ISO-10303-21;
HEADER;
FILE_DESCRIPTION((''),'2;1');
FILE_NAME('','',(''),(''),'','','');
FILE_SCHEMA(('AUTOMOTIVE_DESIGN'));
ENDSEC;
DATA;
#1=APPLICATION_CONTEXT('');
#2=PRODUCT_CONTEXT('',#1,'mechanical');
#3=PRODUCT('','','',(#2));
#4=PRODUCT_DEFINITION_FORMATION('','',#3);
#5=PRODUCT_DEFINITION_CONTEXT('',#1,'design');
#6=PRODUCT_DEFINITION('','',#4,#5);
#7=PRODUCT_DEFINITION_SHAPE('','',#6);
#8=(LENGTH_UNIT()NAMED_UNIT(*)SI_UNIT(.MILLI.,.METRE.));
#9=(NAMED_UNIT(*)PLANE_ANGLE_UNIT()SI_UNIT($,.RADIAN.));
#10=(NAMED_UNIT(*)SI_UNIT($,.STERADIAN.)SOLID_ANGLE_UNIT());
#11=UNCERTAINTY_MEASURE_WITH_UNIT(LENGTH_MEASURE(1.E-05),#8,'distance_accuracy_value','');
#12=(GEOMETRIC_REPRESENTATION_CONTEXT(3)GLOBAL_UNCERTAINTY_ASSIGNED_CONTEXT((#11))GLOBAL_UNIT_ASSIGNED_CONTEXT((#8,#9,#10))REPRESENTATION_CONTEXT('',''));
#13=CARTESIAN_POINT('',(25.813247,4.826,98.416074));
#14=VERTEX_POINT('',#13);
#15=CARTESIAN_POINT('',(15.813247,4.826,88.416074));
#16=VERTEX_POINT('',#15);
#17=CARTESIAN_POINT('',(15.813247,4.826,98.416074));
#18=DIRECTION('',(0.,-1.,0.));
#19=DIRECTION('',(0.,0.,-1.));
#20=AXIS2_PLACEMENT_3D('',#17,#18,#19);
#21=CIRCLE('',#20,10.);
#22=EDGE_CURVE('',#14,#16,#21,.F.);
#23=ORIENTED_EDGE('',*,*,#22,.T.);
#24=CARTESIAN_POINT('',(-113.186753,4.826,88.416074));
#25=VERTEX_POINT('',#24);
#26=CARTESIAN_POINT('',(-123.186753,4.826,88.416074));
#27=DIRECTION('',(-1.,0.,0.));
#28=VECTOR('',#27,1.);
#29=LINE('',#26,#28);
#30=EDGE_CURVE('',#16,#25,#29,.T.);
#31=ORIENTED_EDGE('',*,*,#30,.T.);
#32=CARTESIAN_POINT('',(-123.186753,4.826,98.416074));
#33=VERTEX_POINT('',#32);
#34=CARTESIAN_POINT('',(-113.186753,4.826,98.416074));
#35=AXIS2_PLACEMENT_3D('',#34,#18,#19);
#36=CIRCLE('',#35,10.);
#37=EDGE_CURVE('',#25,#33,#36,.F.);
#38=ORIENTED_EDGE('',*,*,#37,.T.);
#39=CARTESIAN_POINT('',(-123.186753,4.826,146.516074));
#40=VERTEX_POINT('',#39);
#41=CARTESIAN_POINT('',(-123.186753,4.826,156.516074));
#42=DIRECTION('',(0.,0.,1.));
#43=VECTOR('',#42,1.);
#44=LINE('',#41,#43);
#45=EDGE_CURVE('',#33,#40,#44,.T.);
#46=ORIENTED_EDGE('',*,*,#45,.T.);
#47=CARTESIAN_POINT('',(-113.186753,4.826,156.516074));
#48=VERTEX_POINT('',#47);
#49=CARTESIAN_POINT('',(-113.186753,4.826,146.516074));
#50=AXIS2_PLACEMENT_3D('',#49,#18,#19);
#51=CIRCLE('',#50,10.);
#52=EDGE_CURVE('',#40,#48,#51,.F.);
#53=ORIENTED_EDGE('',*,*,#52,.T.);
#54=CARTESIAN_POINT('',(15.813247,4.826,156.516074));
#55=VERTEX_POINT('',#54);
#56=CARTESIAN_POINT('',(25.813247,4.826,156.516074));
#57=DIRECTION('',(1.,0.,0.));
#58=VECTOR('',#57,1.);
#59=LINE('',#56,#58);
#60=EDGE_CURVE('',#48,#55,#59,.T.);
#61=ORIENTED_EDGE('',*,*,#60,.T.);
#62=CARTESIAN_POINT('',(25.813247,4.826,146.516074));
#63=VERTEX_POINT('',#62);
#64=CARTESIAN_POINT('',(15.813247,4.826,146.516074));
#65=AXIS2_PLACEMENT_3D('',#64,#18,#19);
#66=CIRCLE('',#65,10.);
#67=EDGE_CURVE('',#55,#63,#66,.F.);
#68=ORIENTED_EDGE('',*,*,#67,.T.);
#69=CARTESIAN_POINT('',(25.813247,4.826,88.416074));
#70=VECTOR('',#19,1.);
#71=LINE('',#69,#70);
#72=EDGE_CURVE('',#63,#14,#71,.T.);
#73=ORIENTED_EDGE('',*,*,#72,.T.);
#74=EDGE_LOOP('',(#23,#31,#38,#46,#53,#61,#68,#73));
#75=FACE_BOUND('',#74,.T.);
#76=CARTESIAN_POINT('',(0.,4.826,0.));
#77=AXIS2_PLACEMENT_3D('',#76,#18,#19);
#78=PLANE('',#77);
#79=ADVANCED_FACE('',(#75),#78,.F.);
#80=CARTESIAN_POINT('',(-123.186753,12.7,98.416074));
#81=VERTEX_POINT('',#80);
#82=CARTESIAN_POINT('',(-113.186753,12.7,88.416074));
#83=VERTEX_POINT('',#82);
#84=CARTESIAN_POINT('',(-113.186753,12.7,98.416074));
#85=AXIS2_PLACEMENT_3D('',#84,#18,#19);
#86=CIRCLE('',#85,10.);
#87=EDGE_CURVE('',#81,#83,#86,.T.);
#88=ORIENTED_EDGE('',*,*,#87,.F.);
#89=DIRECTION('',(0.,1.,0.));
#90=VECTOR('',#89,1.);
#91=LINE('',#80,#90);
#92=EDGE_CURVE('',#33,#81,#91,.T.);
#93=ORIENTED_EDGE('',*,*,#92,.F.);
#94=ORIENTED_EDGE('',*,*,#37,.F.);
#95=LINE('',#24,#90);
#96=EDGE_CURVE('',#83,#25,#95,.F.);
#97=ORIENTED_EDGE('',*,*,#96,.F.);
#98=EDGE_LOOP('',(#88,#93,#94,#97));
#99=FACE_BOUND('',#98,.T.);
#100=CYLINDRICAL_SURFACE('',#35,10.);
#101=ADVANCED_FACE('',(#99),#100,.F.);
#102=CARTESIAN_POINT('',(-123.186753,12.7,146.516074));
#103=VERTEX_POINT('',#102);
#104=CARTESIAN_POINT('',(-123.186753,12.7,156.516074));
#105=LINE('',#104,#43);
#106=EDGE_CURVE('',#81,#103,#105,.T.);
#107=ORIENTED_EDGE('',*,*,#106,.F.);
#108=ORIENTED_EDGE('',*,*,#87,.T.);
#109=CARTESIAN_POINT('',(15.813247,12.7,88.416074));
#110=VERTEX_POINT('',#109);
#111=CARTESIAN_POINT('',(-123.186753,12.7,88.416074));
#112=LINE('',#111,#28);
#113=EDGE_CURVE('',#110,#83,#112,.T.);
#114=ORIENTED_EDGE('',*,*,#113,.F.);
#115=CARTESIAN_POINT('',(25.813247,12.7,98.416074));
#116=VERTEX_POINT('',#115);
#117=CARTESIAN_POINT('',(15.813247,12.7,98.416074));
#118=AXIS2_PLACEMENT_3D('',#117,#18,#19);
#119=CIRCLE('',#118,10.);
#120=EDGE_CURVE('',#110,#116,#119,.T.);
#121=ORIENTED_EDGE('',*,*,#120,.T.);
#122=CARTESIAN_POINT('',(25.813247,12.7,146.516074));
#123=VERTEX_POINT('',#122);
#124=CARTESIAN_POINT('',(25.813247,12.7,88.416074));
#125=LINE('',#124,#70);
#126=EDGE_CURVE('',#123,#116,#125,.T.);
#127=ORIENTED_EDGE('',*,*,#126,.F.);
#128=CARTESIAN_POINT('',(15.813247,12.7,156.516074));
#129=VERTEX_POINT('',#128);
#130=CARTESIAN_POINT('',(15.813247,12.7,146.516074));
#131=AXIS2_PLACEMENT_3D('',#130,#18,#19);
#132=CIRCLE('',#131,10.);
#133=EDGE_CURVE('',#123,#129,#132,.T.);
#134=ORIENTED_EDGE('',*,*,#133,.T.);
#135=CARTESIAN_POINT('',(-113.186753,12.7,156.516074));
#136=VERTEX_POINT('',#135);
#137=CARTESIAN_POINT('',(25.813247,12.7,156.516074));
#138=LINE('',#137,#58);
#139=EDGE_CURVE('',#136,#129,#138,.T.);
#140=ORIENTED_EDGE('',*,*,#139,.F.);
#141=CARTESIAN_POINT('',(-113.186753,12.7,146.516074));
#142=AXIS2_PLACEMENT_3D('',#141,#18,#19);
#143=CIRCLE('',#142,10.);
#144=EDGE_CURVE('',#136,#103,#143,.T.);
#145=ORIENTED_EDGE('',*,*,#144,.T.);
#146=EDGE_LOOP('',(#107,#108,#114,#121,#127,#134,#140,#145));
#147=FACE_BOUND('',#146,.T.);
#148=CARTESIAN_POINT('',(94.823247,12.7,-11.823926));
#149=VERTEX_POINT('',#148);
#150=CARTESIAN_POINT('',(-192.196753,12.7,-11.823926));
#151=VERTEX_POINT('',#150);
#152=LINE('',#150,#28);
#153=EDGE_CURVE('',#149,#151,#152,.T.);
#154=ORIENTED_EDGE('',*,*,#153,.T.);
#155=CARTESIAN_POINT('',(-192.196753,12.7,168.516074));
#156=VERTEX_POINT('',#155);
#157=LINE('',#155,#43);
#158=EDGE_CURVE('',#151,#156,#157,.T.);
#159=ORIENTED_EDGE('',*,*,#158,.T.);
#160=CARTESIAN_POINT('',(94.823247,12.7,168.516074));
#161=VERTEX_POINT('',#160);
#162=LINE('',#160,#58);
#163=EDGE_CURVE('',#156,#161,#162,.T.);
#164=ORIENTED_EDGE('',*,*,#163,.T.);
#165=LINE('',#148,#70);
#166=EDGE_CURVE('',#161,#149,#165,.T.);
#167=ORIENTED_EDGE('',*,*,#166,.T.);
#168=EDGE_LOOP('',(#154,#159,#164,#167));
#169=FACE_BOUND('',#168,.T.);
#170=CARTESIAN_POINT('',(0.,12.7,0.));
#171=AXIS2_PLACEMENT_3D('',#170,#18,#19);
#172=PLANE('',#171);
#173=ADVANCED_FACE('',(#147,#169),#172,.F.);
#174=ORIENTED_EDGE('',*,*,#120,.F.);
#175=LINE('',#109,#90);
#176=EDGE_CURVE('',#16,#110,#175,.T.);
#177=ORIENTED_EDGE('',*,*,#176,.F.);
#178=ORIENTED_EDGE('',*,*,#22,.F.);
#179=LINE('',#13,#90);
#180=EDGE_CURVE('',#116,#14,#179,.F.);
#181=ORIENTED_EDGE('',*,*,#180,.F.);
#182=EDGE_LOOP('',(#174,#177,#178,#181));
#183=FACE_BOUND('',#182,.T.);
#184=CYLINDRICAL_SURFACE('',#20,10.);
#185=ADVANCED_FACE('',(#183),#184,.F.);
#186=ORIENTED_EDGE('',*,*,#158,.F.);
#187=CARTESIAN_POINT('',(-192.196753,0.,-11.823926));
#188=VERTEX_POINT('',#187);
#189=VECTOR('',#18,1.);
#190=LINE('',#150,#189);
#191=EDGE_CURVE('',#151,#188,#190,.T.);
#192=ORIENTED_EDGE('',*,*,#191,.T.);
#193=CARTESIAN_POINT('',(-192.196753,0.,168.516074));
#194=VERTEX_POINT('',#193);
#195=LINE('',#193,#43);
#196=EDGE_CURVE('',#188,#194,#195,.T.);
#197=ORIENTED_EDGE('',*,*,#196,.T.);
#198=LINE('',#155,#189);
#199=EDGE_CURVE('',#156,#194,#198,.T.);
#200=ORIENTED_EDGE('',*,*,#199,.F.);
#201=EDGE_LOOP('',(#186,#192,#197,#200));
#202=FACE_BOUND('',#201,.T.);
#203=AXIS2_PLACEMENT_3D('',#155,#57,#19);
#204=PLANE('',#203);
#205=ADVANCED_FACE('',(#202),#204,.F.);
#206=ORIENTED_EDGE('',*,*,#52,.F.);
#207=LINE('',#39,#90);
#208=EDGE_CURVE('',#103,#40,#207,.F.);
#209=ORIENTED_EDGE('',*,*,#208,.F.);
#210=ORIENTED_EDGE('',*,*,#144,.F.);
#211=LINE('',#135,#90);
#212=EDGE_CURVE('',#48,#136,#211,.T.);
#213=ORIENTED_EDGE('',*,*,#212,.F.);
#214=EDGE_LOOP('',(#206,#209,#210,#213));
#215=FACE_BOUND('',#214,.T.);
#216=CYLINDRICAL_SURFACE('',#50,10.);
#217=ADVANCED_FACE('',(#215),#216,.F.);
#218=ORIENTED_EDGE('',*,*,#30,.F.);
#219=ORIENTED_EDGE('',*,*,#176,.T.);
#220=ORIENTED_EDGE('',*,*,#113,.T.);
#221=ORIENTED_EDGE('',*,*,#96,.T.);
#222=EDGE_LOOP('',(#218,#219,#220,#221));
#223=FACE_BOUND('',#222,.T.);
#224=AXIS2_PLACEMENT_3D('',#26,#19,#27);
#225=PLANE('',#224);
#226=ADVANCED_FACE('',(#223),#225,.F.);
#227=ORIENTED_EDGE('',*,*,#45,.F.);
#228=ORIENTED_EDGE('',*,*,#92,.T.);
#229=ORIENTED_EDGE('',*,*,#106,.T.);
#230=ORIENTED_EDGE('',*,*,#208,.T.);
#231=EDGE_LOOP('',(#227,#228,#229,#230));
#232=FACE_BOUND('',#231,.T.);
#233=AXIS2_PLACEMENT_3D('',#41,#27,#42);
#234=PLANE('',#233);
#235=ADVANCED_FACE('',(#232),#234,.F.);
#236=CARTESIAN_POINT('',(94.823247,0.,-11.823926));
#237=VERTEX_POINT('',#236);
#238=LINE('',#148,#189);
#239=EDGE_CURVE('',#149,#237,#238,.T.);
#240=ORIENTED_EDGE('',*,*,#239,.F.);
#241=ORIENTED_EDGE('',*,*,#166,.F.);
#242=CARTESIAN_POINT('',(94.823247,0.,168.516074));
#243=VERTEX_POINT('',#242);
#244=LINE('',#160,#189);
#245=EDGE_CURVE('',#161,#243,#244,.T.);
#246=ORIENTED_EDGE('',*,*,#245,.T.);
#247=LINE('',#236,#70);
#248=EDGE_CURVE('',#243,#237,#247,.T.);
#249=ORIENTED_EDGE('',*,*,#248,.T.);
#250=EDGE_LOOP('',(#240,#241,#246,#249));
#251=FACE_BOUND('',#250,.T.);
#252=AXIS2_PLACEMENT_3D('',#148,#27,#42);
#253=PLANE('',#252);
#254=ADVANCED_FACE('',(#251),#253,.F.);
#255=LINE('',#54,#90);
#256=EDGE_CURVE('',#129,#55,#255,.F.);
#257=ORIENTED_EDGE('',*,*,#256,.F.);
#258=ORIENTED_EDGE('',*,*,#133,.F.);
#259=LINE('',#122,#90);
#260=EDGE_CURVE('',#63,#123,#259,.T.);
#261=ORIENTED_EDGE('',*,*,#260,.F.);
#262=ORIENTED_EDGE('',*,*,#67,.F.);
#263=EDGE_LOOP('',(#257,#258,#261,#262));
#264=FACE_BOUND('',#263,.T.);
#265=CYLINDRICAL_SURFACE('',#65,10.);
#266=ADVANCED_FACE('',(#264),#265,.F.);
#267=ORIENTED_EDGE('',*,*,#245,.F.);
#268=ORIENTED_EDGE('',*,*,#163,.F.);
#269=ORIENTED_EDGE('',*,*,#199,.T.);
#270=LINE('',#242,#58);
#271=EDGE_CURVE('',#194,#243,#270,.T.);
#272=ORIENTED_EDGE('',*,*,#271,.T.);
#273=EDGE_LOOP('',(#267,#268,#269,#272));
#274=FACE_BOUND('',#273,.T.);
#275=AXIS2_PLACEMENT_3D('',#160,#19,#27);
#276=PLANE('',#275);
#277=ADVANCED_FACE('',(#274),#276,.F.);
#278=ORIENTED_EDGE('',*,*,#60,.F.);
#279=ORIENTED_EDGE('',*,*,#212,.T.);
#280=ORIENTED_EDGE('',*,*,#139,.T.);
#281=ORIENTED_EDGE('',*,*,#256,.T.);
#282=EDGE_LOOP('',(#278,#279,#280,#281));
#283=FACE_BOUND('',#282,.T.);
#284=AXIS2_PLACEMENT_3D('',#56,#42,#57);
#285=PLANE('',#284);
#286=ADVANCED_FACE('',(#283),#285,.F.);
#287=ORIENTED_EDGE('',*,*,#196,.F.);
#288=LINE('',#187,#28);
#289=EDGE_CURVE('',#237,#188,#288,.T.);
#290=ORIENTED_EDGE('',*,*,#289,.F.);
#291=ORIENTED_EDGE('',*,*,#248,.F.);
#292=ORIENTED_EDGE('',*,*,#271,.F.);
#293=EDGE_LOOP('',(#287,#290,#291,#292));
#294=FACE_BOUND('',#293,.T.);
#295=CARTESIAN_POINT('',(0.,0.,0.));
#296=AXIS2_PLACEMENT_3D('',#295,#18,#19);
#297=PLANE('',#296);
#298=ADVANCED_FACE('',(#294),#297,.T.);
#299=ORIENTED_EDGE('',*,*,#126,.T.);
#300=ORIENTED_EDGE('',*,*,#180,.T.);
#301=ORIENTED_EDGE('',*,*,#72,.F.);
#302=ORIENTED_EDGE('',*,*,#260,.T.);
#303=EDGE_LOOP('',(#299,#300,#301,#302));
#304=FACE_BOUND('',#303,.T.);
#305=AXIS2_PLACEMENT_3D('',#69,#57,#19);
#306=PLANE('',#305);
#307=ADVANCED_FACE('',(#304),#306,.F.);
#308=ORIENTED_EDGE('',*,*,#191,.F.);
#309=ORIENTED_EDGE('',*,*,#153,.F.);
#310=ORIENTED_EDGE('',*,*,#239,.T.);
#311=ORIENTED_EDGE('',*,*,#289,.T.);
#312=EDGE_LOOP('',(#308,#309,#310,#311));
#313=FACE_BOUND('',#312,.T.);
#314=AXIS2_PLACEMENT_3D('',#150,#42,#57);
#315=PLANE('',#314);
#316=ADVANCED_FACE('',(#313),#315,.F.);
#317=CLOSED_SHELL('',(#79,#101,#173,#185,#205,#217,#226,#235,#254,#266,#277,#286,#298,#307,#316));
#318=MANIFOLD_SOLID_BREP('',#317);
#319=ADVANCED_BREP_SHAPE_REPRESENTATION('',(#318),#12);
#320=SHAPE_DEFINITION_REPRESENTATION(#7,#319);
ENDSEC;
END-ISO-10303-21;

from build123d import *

# Parameters (mm, degrees)
SKETCH1_W           = 287.02
SKETCH1_H           = 180.34
BOSS_EXTRUDE3_DEPTH = 12.7
SKETCH3_W           = 149
SKETCH3_H           = 68.1
CUT_EXTRUDE1_DEPTH  = 7.874
FILLET1_R           = 10


with BuildPart() as part:
    # Sketch1 → Boss-Extrude3 (new body)
    with BuildSketch(Plane(origin=(0, 0, 0), x_dir=(1, 0, 0), z_dir=(0, 1, 0))):
        with Locations((-48.686752827, -78.346074313)):
            Rectangle(SKETCH1_W, SKETCH1_H)
    extrude(amount=BOSS_EXTRUDE3_DEPTH)

    # Sketch3 → Cut-Extrude1 (cut)
    with BuildSketch(Plane(origin=(0, 12.7, 0), x_dir=(1, 0, 0), z_dir=(0, 1, 0))):
        with Locations((-48.686752827, -122.466074313)):
            Rectangle(SKETCH3_W, SKETCH3_H)
    extrude(amount=-CUT_EXTRUDE1_DEPTH, mode=Mode.SUBTRACT)

    # Fillet1
    fillet1_edges = [part.edges().sort_by_distance(p)[0] for p in [
        (25.813247173, 8.763, 156.516074313),
        (-123.186752827, 8.763, 156.516074313),
        (-123.186752827, 8.763, 88.416074313),
        (25.813247173, 8.763, 88.416074313),
    ]]
    fillet(fillet1_edges, radius=FILLET1_R)


solid = part.part
